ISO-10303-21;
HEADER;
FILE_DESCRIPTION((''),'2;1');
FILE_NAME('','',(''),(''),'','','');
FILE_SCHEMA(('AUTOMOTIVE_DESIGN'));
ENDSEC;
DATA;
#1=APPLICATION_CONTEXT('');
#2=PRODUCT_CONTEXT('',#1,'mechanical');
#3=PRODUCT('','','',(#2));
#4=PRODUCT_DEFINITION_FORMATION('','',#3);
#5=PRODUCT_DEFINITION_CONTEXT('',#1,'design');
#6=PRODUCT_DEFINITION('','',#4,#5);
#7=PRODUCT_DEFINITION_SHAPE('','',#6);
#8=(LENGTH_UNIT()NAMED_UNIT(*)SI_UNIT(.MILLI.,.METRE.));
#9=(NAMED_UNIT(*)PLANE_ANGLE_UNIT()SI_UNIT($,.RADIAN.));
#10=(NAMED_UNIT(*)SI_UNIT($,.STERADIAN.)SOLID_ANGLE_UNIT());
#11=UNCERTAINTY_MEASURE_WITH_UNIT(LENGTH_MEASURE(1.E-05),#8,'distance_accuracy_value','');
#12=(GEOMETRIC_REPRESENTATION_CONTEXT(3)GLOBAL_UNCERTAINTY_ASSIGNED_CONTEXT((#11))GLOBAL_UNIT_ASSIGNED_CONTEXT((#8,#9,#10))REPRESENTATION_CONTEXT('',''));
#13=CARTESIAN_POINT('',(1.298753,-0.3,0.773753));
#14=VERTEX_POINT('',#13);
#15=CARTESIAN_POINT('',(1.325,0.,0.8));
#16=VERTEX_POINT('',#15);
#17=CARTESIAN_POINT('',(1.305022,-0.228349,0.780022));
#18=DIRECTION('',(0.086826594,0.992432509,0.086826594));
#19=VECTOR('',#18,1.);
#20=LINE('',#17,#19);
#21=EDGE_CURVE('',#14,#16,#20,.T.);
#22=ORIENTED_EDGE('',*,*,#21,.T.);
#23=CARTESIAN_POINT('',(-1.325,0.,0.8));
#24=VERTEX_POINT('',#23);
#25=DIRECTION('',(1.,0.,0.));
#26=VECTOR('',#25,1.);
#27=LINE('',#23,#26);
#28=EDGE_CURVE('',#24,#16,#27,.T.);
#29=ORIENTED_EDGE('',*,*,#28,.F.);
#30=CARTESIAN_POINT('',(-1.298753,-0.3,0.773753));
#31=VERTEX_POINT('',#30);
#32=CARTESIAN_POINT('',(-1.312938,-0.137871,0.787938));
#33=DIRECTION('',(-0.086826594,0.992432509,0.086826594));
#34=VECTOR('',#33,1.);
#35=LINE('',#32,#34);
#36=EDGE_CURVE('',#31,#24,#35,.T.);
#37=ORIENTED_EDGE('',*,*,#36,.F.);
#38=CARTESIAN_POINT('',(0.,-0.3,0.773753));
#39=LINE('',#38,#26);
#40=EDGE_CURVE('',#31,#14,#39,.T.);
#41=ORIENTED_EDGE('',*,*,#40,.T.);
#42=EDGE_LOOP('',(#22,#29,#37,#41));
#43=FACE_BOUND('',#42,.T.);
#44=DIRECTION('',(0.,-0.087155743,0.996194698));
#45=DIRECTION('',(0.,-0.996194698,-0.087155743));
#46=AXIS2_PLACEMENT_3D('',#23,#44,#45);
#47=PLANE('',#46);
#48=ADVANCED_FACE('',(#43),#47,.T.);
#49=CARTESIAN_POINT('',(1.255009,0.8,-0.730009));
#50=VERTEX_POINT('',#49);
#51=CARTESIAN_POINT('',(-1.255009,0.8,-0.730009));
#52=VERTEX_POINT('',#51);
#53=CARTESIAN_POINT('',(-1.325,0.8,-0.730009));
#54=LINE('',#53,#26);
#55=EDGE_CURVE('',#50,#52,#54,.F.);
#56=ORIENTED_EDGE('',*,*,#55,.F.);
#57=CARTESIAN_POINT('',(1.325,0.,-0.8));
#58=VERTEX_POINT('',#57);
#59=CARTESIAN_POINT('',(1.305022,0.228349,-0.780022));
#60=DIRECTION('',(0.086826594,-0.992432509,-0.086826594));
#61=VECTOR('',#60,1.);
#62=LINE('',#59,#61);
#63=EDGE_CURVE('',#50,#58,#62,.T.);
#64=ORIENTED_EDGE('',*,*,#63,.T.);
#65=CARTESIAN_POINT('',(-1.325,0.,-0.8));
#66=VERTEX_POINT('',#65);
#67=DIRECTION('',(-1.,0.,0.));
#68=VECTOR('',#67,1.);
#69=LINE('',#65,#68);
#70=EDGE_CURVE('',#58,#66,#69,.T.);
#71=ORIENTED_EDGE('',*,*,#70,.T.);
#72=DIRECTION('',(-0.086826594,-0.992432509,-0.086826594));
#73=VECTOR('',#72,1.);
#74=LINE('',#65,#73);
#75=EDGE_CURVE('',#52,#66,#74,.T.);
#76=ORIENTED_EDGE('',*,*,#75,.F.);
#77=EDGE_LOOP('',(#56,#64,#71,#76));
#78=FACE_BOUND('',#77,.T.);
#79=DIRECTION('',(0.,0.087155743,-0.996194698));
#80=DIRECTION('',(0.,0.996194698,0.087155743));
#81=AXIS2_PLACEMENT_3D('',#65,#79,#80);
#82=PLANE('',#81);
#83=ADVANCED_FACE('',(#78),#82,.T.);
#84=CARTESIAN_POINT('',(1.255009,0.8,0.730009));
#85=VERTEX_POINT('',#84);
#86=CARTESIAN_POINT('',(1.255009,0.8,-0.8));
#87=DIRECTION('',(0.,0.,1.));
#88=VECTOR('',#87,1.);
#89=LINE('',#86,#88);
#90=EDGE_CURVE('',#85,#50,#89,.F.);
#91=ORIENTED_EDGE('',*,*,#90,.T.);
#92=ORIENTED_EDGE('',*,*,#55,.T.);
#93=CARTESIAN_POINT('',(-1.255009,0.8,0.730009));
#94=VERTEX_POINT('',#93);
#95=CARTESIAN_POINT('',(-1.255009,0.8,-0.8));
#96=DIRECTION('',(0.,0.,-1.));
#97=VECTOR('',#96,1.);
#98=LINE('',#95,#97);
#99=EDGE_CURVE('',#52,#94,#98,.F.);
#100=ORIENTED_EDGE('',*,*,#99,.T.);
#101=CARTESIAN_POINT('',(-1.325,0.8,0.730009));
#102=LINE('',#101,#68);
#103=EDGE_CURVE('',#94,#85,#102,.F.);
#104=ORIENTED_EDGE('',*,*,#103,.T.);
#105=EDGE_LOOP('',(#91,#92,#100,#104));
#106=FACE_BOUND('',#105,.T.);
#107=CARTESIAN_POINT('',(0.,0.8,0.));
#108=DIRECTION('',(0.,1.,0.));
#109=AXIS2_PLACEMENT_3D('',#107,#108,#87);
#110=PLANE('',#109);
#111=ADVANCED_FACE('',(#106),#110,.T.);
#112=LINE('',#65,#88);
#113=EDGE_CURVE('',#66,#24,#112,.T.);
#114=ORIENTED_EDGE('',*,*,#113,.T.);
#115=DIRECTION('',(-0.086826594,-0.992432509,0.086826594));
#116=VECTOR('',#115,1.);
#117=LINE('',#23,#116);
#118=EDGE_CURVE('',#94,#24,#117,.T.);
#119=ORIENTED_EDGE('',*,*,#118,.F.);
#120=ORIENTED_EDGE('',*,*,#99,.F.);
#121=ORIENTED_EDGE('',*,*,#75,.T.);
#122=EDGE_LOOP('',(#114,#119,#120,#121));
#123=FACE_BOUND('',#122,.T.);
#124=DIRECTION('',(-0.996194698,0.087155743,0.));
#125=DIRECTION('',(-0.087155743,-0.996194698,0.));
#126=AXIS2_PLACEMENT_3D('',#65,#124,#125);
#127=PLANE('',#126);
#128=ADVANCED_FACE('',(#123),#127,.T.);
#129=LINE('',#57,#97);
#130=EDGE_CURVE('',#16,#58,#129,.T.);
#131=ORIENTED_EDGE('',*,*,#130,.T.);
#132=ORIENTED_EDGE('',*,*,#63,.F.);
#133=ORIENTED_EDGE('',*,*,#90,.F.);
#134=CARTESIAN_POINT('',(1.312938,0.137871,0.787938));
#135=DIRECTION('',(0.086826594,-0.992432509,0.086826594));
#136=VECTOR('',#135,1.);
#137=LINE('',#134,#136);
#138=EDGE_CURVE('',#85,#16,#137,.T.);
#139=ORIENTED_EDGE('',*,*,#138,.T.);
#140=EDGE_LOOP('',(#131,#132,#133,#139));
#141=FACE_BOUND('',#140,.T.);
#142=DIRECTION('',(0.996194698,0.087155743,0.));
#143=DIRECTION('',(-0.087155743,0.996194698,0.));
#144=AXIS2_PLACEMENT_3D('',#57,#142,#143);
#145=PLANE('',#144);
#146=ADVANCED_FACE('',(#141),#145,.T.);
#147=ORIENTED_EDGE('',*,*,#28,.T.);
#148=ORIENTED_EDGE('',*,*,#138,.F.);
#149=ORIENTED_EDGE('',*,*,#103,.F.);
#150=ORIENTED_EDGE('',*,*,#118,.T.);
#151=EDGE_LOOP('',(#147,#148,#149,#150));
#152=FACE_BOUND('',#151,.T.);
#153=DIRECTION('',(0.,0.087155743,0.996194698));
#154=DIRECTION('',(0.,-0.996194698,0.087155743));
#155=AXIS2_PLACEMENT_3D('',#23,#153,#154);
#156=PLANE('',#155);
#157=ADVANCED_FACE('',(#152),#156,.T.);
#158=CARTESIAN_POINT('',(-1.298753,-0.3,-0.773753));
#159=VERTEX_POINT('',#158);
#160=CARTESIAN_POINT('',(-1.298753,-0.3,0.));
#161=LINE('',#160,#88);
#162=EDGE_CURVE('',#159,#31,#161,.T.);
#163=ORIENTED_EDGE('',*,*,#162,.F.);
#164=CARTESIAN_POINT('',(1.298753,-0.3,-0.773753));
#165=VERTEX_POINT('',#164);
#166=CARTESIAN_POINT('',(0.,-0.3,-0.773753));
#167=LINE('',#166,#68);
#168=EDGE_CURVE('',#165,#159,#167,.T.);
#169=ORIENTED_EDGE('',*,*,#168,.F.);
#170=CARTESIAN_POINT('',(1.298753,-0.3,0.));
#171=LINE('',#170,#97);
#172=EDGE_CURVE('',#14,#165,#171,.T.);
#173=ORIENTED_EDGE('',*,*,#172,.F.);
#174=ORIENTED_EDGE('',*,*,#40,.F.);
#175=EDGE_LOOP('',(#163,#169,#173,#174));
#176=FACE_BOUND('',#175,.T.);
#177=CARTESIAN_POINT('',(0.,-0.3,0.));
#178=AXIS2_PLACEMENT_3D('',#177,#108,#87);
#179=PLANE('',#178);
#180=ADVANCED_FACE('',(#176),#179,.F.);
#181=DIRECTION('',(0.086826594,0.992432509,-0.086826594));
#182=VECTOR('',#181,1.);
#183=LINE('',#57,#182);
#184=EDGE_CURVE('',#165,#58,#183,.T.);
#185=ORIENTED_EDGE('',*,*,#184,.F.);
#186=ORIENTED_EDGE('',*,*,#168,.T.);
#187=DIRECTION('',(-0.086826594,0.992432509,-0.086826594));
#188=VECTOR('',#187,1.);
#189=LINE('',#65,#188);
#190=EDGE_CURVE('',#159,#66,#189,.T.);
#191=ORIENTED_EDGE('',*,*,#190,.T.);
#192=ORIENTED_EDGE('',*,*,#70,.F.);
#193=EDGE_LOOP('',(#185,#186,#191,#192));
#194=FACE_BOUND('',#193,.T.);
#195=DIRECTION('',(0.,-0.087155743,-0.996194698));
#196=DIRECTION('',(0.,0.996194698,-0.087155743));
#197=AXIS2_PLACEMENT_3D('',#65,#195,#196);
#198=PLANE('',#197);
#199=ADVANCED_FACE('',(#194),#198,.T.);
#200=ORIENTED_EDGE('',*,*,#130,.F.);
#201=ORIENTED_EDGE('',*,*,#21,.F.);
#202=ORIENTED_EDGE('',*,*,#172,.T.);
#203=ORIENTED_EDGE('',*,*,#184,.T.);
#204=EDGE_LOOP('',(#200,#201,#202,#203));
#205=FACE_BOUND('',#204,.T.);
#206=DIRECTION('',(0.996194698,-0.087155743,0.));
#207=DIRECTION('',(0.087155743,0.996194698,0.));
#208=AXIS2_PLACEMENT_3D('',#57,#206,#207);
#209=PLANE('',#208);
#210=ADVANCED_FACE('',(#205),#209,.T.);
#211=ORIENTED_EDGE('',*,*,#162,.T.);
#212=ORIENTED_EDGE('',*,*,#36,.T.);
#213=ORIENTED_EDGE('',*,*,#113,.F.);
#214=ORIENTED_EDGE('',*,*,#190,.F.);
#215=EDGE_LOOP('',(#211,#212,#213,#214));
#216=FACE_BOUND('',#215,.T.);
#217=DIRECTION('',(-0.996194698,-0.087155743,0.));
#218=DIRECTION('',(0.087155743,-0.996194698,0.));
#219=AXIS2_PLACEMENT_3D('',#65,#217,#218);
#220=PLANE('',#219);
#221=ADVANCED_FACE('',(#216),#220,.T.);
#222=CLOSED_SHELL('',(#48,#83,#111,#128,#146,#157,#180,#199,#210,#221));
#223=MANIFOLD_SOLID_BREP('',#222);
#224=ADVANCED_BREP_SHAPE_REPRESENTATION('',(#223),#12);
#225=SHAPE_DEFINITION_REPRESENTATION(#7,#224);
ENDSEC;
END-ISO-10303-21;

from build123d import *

# Parameters (mm, degrees)
SKETCH1_W                     = 2.65
SKETCH1_H                     = 1.6
BOSS_EXTRUDE1_DEPTH           = 0.8
BOSS_EXTRUDE1_TAPER           = 5
BOSS_EXTRUDE1_OTHER_WAY_DEPTH = 0.3
BOSS_EXTRUDE1_OTHER_WAY_TAPER = 5


with BuildPart() as part:
    # Sketch1 → Boss-Extrude1 (new body)
    with BuildSketch(Plane(origin=(0, 0, 0), x_dir=(1, 0, 0), z_dir=(0, 1, 0))):
        Rectangle(SKETCH1_W, SKETCH1_H)
    extrude(amount=BOSS_EXTRUDE1_DEPTH, taper=BOSS_EXTRUDE1_TAPER)

    # Sketch1 → Boss-Extrude1 other way (add)
    with BuildSketch(Plane(origin=(0, 0, 0), x_dir=(1, 0, 0), z_dir=(0, 1, 0))):
        Rectangle(SKETCH1_W, SKETCH1_H)
    extrude(amount=-BOSS_EXTRUDE1_OTHER_WAY_DEPTH, taper=BOSS_EXTRUDE1_OTHER_WAY_TAPER)


solid = part.part
